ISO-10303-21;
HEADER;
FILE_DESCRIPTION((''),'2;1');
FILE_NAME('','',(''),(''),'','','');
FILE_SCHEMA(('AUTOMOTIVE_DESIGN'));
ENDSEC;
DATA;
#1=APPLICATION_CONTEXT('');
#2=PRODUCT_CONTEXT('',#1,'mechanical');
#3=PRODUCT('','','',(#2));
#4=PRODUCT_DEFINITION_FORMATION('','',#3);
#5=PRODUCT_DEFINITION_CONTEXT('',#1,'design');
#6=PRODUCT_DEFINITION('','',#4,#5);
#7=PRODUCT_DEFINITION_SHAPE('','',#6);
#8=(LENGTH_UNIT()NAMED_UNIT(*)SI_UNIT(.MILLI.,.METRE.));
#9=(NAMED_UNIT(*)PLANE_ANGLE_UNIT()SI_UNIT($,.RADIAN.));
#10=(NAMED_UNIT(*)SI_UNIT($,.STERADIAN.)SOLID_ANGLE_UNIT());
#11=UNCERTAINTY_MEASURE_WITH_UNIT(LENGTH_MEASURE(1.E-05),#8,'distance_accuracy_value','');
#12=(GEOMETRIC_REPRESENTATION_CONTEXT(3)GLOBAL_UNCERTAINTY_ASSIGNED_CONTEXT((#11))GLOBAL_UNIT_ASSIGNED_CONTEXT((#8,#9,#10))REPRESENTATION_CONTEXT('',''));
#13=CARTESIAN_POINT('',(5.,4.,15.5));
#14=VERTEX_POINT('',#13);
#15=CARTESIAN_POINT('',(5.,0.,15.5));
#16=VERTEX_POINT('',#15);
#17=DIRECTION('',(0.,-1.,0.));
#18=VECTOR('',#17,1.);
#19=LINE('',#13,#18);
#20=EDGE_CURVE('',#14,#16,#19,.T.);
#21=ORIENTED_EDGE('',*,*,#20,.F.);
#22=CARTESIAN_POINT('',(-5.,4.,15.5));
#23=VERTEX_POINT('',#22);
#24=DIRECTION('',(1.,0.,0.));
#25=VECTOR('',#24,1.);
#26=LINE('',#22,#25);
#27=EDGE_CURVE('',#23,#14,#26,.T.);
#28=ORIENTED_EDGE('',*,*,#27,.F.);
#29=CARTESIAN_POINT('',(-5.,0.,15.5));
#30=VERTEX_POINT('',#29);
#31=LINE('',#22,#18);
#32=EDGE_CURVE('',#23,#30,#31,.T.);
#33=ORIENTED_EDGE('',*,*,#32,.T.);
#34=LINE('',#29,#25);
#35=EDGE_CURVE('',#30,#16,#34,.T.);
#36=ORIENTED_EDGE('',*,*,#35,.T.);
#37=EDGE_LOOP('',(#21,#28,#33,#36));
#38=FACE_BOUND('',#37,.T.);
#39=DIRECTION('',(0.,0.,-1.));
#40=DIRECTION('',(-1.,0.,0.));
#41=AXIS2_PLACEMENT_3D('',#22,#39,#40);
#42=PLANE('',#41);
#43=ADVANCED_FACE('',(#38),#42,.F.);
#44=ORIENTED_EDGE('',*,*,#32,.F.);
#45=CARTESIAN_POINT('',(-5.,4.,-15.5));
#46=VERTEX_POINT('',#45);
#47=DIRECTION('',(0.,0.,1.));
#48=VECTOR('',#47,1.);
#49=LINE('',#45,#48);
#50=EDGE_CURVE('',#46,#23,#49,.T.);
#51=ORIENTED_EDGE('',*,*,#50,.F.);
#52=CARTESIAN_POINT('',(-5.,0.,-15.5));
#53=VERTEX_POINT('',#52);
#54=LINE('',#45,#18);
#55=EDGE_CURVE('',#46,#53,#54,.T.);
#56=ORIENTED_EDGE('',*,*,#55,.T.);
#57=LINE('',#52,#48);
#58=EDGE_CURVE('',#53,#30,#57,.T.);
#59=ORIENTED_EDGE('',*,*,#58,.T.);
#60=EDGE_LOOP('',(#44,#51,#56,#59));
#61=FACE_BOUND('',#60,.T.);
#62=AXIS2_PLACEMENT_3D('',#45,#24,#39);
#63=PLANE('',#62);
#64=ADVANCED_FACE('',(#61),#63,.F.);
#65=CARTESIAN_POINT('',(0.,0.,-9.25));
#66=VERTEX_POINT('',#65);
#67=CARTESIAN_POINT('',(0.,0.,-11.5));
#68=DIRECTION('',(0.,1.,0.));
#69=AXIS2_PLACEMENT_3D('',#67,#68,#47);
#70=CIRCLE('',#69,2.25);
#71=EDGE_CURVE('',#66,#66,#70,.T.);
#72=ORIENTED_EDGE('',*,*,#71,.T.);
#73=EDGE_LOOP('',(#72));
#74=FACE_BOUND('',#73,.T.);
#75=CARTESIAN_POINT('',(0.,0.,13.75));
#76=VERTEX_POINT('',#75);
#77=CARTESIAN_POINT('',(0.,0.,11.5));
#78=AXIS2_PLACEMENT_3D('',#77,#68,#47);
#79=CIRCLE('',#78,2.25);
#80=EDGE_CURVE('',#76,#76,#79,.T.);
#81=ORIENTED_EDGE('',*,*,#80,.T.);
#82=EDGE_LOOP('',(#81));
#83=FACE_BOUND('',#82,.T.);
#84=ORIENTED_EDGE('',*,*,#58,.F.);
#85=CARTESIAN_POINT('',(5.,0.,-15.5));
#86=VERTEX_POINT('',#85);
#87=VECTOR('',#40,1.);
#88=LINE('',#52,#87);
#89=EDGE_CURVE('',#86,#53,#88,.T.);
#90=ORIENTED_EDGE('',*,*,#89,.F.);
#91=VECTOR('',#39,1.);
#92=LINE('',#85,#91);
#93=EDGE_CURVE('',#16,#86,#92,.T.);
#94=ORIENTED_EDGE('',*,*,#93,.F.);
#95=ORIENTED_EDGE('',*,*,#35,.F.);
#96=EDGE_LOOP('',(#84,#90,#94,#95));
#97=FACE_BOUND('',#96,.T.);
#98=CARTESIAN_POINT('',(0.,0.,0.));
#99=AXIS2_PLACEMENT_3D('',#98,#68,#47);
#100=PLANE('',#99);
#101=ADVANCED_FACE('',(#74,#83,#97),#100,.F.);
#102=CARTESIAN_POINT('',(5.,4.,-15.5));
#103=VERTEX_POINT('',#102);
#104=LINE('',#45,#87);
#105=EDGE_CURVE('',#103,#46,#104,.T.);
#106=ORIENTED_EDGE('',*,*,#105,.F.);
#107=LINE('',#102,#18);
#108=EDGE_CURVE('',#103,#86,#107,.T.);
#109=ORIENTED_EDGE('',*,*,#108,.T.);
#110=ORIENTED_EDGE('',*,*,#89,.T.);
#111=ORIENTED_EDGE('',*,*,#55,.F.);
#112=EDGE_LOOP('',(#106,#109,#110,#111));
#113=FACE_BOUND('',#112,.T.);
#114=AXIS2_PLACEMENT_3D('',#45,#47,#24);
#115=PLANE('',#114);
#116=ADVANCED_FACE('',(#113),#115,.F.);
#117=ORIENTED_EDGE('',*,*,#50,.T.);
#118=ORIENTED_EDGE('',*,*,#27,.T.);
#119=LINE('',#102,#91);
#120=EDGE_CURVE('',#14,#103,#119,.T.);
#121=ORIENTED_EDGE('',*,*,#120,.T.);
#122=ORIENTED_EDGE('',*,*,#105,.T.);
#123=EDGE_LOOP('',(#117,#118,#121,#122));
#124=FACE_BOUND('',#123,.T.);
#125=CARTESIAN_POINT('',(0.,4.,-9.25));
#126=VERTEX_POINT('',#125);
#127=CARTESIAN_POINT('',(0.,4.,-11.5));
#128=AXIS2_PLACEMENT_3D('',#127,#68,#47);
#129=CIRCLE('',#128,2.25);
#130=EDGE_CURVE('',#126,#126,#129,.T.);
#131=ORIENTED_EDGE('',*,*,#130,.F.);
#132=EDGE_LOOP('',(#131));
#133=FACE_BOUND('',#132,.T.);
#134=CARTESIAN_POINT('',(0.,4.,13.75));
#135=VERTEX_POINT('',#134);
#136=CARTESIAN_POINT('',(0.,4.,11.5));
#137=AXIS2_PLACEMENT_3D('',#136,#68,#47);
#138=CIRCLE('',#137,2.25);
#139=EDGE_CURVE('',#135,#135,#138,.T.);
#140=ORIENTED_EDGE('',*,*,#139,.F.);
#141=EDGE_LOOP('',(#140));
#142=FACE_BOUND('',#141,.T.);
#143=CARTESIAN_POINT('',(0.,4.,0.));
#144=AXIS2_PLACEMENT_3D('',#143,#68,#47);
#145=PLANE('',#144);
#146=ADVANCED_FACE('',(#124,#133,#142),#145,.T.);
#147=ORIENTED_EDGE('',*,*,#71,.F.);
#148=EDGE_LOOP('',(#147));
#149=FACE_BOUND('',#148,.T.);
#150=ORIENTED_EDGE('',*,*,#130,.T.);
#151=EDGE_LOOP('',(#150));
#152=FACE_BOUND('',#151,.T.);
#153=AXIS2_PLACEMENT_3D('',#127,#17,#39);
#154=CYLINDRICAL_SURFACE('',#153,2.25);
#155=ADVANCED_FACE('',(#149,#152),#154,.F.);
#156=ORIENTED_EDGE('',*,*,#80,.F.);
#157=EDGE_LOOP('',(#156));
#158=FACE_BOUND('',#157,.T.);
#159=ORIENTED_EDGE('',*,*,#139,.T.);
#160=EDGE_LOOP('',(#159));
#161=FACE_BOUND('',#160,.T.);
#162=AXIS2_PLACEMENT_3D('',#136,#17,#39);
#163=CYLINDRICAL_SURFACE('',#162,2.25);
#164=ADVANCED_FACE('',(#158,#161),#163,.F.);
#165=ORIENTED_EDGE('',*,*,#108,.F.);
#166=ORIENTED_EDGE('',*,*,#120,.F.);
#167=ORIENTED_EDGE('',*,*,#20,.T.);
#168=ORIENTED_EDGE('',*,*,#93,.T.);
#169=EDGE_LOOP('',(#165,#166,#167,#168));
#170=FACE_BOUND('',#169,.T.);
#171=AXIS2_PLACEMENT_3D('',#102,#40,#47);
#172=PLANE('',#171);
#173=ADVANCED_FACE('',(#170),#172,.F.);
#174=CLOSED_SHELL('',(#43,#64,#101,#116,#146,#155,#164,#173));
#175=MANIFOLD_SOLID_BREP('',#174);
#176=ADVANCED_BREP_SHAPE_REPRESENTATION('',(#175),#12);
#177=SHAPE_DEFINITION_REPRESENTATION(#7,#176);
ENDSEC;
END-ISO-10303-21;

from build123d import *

# Parameters (mm, degrees)
SKETCH1_W           = 10
SKETCH1_H           = 31
SKETCH1_R           = 2.25
BOSS_EXTRUDE1_DEPTH = 4


with BuildPart() as part:
    # Sketch1 → Boss-Extrude1 (new body)
    with BuildSketch(Plane(origin=(0, 0, 0), x_dir=(1, 0, 0), z_dir=(0, 1, 0))):
        Rectangle(SKETCH1_W, SKETCH1_H)
        with Locations(Location((0, 11.5, 0), (0, 0, 270))):
            Circle(SKETCH1_R, mode=Mode.SUBTRACT)
        with Locations(Location((0, -11.5, 0), (0, 0, 270))):
            Circle(SKETCH1_R, mode=Mode.SUBTRACT)
    extrude(amount=BOSS_EXTRUDE1_DEPTH)


solid = part.part
